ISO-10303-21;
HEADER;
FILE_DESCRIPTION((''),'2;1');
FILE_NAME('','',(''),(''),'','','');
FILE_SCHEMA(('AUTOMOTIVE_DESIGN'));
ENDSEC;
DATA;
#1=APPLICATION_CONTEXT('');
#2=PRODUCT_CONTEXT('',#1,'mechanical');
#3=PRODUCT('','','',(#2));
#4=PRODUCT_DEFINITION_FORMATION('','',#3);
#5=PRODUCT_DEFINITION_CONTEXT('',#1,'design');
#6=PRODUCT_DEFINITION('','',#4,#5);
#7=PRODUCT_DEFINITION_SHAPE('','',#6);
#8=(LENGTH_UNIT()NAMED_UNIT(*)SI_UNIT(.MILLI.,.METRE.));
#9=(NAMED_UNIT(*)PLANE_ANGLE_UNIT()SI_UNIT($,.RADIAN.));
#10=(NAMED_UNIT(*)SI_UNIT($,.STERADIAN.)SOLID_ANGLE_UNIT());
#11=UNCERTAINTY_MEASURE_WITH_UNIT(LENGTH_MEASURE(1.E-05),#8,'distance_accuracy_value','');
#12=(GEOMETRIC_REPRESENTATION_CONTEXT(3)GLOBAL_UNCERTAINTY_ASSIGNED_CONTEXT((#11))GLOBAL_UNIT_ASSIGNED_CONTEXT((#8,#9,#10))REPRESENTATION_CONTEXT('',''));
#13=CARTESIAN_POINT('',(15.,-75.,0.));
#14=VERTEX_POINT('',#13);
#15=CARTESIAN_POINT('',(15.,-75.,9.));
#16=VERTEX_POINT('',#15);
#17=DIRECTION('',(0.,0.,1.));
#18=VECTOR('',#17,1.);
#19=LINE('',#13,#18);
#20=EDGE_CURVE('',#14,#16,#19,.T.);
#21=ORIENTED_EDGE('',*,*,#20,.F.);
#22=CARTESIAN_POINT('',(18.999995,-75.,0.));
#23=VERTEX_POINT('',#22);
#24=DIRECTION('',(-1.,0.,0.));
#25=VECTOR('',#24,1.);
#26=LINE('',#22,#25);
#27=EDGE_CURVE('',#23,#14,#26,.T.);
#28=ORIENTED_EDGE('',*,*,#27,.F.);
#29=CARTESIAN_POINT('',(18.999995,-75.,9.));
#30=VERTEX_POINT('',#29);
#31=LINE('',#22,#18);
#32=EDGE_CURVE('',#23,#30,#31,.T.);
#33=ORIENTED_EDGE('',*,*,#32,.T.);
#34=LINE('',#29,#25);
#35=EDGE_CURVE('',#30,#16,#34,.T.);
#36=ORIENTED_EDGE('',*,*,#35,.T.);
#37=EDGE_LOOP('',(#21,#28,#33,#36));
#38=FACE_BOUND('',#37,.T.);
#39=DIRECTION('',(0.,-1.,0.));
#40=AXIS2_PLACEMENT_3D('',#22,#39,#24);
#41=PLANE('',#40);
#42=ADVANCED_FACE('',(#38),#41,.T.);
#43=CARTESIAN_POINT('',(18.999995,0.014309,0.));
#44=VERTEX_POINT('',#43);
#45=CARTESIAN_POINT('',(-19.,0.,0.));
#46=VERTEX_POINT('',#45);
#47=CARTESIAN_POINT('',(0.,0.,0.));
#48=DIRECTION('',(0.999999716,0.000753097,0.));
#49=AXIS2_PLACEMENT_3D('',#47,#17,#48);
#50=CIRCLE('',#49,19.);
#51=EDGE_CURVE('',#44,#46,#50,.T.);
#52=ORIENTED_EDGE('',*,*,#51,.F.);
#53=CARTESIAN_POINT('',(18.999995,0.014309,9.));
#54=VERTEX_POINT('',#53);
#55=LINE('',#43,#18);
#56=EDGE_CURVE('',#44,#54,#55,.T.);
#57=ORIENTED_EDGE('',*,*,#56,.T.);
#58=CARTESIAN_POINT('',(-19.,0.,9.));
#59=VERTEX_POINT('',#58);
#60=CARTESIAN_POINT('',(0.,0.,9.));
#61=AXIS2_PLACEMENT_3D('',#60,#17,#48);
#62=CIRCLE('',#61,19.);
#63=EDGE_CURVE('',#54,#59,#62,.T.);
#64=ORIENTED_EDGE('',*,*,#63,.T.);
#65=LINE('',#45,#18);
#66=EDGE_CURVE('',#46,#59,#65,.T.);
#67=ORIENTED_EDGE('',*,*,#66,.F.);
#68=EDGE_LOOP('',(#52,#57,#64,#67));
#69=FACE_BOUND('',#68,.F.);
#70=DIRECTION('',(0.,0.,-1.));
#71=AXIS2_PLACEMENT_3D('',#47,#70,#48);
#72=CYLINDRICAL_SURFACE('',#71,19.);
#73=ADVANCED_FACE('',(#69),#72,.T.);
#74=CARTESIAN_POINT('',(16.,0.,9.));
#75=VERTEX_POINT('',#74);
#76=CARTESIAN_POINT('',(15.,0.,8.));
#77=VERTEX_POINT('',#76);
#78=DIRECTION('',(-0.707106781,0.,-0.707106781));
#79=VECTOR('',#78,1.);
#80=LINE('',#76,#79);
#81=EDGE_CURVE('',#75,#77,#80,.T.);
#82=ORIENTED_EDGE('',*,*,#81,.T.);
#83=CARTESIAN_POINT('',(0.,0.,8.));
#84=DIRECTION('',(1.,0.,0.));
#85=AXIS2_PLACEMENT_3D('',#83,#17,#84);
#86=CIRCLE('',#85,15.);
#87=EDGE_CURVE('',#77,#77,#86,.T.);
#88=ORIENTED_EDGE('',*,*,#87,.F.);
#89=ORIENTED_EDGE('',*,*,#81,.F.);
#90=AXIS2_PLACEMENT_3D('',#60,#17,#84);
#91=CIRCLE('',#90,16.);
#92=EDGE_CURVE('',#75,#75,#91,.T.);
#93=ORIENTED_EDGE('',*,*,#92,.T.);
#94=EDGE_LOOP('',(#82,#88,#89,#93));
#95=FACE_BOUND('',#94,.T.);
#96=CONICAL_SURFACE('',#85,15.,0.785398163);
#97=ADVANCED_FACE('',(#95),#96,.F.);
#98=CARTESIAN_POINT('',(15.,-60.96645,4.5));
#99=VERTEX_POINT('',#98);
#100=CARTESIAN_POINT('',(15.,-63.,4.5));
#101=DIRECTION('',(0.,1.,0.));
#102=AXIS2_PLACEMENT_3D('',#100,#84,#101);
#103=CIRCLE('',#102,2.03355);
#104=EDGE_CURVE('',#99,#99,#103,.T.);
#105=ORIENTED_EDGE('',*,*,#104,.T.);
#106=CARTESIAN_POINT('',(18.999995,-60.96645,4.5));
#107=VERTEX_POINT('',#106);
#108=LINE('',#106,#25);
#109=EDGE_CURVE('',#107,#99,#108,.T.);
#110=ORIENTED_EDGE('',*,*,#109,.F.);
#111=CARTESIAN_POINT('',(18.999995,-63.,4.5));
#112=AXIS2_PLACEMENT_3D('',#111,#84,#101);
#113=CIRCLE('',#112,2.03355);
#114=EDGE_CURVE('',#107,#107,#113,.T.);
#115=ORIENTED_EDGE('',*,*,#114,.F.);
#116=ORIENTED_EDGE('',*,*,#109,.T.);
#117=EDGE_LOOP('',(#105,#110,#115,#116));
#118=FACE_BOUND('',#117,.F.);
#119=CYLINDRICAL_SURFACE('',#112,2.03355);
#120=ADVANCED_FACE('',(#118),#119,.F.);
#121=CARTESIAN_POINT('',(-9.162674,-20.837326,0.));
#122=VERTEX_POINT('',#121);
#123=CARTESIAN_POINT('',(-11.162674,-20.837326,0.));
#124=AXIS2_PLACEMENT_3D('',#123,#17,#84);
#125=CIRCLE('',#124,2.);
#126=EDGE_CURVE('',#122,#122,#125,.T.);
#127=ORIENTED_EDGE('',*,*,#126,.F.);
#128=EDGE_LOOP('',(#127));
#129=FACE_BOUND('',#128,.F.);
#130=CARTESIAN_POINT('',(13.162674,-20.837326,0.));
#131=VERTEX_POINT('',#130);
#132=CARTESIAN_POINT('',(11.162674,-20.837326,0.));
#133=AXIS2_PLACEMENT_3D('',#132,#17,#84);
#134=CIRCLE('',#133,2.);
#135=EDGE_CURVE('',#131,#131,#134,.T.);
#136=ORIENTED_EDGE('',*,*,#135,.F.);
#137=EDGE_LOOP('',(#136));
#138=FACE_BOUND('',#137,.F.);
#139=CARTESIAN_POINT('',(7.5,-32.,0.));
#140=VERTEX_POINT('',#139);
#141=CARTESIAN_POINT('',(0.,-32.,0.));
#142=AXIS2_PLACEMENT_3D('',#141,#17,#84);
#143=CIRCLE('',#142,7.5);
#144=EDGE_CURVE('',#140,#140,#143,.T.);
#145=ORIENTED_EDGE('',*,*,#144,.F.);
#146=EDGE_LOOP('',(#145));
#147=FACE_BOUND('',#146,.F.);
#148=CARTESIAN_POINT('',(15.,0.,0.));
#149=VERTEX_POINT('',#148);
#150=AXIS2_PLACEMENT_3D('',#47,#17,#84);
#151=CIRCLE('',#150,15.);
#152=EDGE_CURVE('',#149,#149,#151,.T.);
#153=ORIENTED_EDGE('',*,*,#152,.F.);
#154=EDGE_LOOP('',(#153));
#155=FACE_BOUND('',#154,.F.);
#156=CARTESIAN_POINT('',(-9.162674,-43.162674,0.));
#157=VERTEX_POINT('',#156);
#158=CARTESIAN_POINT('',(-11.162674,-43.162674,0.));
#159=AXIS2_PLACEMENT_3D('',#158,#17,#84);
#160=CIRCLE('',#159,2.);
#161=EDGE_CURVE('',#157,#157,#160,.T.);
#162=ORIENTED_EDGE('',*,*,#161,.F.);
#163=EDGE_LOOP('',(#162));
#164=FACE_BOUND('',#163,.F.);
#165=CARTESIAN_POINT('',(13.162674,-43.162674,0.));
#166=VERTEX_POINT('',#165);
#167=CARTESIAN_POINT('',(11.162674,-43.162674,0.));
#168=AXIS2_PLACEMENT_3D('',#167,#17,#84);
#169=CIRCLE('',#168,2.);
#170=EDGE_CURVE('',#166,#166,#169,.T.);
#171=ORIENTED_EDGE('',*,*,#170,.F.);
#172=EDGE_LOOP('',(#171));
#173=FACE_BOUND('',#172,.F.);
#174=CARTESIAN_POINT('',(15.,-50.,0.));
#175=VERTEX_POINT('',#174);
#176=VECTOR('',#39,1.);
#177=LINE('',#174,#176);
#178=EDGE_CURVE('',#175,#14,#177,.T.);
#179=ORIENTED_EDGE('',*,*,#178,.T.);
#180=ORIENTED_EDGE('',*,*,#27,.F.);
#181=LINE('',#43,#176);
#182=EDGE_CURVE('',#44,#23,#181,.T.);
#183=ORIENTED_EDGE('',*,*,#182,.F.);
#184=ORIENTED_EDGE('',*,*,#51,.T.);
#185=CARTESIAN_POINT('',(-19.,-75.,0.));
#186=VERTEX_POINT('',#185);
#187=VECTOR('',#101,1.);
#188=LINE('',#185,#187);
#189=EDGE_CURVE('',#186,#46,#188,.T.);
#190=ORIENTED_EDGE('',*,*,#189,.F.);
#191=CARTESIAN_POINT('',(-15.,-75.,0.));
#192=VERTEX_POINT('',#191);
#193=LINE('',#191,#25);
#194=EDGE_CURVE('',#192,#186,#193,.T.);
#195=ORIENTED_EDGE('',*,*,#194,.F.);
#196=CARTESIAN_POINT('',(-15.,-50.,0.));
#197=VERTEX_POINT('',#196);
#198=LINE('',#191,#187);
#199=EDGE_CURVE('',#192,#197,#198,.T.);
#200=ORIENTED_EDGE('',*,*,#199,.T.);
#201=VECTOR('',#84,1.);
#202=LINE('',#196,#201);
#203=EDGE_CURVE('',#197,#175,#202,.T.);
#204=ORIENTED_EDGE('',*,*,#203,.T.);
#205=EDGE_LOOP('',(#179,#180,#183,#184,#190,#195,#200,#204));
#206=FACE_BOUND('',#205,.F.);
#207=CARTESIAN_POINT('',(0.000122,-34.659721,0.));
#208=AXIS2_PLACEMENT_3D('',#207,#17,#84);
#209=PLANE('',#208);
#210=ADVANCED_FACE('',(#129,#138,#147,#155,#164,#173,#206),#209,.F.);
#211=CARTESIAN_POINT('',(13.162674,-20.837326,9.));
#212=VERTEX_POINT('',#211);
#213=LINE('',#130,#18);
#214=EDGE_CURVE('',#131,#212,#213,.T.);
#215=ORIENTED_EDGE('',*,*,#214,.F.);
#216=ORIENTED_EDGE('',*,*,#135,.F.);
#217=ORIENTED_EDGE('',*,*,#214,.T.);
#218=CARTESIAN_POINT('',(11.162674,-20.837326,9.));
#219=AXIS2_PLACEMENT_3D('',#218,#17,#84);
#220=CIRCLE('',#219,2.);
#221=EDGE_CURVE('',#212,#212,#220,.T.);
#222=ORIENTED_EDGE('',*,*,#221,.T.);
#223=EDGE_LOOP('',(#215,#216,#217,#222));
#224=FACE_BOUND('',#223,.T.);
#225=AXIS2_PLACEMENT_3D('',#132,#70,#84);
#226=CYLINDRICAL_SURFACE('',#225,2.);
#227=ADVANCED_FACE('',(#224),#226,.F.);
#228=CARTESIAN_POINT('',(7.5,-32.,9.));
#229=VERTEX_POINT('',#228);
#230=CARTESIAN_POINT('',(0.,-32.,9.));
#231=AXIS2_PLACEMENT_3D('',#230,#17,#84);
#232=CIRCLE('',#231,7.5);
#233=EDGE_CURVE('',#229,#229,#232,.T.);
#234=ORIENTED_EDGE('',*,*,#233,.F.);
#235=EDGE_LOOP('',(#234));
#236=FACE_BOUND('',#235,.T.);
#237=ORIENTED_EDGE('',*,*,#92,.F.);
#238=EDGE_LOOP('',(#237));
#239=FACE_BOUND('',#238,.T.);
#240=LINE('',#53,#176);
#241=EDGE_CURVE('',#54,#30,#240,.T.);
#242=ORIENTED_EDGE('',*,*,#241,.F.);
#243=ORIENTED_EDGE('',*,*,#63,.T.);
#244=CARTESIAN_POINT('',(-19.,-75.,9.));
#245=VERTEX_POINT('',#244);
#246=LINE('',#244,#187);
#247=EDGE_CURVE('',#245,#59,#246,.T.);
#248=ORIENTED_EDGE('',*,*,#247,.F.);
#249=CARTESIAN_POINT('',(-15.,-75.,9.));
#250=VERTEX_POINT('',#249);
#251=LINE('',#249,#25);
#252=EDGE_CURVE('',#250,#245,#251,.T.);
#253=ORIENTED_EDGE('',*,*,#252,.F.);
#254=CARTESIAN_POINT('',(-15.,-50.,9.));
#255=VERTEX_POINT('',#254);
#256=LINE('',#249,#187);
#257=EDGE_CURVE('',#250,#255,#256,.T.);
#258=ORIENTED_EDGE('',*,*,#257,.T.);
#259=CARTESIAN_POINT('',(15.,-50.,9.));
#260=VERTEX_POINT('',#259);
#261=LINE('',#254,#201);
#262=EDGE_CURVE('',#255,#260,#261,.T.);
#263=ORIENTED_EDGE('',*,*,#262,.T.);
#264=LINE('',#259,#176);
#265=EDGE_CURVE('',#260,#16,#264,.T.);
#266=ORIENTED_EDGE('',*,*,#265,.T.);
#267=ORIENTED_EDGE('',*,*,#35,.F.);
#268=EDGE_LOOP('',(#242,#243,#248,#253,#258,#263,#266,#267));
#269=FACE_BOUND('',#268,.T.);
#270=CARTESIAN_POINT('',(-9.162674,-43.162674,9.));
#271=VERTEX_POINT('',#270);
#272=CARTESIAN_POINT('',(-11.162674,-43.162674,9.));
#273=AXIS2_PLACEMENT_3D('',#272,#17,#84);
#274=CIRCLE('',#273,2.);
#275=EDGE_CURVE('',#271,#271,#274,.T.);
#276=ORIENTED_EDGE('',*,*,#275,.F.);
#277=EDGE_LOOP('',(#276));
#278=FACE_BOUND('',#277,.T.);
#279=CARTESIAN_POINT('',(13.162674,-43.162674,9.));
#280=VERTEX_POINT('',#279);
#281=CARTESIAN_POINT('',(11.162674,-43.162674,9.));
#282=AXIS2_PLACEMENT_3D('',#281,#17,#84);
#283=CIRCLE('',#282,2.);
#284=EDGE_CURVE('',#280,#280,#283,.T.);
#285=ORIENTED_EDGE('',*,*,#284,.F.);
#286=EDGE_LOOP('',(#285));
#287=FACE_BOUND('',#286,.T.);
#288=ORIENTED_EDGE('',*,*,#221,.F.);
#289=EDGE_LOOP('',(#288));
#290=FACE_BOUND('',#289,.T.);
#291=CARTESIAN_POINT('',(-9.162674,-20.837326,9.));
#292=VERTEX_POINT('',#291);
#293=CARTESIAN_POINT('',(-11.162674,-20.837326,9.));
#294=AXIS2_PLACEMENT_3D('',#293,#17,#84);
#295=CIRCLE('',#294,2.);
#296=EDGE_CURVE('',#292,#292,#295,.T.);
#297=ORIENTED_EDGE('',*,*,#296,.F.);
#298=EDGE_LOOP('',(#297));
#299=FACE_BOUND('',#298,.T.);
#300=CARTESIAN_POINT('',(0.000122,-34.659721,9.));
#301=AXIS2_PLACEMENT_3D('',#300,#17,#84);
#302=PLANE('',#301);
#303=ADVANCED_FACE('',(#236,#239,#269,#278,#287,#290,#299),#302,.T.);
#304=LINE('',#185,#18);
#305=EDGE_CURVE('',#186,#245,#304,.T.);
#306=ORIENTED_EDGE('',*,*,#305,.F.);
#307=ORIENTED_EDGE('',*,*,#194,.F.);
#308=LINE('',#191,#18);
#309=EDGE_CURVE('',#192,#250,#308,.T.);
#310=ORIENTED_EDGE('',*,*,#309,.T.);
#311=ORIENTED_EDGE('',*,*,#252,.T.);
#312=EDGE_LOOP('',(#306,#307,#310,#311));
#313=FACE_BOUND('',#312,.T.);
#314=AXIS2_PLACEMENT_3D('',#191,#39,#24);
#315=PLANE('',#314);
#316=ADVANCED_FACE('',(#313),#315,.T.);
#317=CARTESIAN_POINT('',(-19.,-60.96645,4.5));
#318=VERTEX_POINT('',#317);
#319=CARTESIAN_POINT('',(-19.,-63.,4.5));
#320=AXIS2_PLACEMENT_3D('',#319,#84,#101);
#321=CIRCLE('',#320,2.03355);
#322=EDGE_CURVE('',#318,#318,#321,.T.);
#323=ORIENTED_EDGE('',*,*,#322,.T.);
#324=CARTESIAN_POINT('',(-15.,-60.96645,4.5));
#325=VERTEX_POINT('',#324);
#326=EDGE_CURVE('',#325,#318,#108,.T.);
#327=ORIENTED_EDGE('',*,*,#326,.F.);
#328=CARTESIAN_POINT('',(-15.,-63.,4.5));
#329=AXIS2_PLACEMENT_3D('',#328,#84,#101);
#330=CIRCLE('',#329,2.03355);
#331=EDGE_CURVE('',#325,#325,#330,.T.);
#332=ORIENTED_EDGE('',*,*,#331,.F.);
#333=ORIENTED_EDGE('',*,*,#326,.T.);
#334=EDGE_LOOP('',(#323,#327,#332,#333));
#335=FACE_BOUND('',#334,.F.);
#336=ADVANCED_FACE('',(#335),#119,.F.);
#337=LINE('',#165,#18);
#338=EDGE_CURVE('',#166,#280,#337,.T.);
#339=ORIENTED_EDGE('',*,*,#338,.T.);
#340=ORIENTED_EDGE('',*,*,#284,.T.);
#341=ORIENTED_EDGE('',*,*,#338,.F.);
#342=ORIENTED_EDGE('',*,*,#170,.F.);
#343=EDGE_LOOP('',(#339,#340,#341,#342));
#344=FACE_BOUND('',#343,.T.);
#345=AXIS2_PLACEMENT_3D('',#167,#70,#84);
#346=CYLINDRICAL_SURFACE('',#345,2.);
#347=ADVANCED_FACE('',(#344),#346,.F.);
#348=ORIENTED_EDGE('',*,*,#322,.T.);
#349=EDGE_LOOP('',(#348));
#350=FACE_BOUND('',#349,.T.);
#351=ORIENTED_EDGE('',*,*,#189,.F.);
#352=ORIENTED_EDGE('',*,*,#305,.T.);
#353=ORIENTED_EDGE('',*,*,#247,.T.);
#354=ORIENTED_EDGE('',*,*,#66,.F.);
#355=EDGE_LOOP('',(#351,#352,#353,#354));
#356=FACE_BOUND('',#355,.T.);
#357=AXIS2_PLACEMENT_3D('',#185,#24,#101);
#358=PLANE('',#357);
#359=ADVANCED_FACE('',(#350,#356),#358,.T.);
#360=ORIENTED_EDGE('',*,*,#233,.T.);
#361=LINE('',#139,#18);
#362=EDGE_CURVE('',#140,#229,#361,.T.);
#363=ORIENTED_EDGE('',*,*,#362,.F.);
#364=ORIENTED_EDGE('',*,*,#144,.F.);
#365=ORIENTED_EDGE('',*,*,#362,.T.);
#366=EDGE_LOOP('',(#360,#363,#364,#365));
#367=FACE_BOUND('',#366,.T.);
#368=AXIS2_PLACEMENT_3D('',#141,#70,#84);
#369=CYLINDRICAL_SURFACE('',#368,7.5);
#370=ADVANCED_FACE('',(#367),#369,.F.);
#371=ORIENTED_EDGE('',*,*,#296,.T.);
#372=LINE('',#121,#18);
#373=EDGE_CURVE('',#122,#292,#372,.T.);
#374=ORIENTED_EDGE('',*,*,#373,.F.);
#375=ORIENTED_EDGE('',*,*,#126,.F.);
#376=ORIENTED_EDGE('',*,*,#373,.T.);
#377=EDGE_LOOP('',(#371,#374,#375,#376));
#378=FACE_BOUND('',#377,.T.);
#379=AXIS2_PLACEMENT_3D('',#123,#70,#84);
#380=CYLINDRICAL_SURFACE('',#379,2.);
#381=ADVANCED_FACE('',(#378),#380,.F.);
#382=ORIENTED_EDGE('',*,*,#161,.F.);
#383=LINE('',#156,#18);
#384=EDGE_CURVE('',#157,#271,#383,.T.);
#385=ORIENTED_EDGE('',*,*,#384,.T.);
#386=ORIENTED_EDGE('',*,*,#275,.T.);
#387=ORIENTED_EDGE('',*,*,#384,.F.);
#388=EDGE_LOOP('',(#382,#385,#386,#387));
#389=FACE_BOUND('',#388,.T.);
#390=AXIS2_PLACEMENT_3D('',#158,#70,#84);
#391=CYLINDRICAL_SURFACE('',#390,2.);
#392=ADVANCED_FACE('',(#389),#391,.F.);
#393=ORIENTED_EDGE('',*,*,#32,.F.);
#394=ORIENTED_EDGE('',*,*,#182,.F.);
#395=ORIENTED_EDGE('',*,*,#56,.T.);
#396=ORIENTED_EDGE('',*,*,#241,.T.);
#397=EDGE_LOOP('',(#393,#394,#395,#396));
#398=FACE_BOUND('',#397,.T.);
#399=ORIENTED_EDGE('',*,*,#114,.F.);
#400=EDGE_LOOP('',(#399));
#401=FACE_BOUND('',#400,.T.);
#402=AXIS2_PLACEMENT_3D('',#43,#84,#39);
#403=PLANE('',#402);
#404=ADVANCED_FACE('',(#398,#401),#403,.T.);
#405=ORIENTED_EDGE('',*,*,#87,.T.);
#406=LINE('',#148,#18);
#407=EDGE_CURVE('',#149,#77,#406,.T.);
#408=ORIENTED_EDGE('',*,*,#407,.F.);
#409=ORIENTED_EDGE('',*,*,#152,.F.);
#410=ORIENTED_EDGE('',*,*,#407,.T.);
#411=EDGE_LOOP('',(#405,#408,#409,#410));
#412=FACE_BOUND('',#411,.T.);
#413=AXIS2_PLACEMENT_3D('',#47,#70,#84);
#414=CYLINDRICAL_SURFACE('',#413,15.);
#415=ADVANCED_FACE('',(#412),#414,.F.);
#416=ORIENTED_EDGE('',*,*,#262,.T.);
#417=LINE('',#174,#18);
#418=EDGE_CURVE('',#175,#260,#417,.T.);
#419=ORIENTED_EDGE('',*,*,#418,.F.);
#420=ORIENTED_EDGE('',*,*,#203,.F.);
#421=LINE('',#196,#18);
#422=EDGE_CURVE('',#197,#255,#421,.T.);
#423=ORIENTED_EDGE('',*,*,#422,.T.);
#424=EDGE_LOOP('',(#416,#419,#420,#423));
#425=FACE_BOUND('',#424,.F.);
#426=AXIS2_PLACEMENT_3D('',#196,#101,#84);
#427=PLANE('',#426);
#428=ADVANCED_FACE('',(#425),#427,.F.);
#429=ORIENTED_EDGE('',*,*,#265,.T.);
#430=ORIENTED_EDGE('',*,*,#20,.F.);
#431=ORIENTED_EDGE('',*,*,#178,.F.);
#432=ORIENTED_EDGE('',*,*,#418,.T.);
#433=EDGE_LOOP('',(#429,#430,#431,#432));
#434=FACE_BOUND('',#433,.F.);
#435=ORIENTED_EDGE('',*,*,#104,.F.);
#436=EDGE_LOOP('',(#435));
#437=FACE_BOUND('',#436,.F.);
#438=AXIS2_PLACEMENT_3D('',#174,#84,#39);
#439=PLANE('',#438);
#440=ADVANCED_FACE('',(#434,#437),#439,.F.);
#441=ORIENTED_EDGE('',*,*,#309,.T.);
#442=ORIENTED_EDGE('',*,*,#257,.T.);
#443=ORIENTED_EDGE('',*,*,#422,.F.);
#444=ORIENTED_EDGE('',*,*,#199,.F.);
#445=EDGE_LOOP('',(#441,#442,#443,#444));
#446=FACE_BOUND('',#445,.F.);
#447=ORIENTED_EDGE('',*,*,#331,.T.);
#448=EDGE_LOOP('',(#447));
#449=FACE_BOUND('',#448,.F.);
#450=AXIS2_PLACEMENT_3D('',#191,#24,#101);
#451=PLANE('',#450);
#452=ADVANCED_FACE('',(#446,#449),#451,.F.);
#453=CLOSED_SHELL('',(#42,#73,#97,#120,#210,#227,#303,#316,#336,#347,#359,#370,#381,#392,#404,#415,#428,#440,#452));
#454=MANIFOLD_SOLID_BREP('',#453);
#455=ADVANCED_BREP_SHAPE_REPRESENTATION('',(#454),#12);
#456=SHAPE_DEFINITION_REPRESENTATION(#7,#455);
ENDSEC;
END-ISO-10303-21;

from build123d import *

# Parameters (mm, degrees)
SKETCH_R     = 15
SKETCH_R_2   = 7.5
SKETCH_R_3   = 2
PAD_DEPTH    = 9
SKETCH001_R  = 2.03355
POCKET_DEPTH = 38.000995
CHAMFER_SIZE = 1


with BuildPart() as part:
    # Sketch → Pad (new body)
    with BuildSketch(Plane.XY):
        with BuildLine():
            ThreePointArc((18.999995, 0.014309), (-0.007154, 18.999999), (-19, 0))
            Line((-19, -75), (-19, 0))
            Line((-15, -75), (-19, -75))
            Line((-15, -75), (-15, -50))
            Line((-15, -50), (15, -50))
            Line((15, -50), (15, -75))
            Line((18.999995, -75), (15, -75))
            Line((18.999995, 0.014309), (18.999995, -75))
        make_face()
        Circle(SKETCH_R, mode=Mode.SUBTRACT)
        with Locations((0, -32)):
            Circle(SKETCH_R_2, mode=Mode.SUBTRACT)
        with Locations((-11.162674, -20.837326)):
            Circle(SKETCH_R_3, mode=Mode.SUBTRACT)
        with Locations((11.162674, -20.837326)):
            Circle(SKETCH_R_3, mode=Mode.SUBTRACT)
        with Locations((-11.162674, -43.162674)):
            Circle(SKETCH_R_3, mode=Mode.SUBTRACT)
        with Locations((11.162674, -43.162674)):
            Circle(SKETCH_R_3, mode=Mode.SUBTRACT)
    extrude(amount=PAD_DEPTH)

    # Sketch001 (on Face5 of Pad) → Pocket (cut, through all)
    with BuildSketch(Plane.YZ.offset(18.999995)):
        with Locations((-63, 4.5)):
            Circle(SKETCH001_R)
    extrude(amount=-POCKET_DEPTH, mode=Mode.SUBTRACT)

    # Chamfer
    chamfer_edges = [part.edges().sort_by_distance(p)[0] for p in [
        (-15, 0, 9),
    ]]
    chamfer(chamfer_edges, length=CHAMFER_SIZE)


solid = part.part
